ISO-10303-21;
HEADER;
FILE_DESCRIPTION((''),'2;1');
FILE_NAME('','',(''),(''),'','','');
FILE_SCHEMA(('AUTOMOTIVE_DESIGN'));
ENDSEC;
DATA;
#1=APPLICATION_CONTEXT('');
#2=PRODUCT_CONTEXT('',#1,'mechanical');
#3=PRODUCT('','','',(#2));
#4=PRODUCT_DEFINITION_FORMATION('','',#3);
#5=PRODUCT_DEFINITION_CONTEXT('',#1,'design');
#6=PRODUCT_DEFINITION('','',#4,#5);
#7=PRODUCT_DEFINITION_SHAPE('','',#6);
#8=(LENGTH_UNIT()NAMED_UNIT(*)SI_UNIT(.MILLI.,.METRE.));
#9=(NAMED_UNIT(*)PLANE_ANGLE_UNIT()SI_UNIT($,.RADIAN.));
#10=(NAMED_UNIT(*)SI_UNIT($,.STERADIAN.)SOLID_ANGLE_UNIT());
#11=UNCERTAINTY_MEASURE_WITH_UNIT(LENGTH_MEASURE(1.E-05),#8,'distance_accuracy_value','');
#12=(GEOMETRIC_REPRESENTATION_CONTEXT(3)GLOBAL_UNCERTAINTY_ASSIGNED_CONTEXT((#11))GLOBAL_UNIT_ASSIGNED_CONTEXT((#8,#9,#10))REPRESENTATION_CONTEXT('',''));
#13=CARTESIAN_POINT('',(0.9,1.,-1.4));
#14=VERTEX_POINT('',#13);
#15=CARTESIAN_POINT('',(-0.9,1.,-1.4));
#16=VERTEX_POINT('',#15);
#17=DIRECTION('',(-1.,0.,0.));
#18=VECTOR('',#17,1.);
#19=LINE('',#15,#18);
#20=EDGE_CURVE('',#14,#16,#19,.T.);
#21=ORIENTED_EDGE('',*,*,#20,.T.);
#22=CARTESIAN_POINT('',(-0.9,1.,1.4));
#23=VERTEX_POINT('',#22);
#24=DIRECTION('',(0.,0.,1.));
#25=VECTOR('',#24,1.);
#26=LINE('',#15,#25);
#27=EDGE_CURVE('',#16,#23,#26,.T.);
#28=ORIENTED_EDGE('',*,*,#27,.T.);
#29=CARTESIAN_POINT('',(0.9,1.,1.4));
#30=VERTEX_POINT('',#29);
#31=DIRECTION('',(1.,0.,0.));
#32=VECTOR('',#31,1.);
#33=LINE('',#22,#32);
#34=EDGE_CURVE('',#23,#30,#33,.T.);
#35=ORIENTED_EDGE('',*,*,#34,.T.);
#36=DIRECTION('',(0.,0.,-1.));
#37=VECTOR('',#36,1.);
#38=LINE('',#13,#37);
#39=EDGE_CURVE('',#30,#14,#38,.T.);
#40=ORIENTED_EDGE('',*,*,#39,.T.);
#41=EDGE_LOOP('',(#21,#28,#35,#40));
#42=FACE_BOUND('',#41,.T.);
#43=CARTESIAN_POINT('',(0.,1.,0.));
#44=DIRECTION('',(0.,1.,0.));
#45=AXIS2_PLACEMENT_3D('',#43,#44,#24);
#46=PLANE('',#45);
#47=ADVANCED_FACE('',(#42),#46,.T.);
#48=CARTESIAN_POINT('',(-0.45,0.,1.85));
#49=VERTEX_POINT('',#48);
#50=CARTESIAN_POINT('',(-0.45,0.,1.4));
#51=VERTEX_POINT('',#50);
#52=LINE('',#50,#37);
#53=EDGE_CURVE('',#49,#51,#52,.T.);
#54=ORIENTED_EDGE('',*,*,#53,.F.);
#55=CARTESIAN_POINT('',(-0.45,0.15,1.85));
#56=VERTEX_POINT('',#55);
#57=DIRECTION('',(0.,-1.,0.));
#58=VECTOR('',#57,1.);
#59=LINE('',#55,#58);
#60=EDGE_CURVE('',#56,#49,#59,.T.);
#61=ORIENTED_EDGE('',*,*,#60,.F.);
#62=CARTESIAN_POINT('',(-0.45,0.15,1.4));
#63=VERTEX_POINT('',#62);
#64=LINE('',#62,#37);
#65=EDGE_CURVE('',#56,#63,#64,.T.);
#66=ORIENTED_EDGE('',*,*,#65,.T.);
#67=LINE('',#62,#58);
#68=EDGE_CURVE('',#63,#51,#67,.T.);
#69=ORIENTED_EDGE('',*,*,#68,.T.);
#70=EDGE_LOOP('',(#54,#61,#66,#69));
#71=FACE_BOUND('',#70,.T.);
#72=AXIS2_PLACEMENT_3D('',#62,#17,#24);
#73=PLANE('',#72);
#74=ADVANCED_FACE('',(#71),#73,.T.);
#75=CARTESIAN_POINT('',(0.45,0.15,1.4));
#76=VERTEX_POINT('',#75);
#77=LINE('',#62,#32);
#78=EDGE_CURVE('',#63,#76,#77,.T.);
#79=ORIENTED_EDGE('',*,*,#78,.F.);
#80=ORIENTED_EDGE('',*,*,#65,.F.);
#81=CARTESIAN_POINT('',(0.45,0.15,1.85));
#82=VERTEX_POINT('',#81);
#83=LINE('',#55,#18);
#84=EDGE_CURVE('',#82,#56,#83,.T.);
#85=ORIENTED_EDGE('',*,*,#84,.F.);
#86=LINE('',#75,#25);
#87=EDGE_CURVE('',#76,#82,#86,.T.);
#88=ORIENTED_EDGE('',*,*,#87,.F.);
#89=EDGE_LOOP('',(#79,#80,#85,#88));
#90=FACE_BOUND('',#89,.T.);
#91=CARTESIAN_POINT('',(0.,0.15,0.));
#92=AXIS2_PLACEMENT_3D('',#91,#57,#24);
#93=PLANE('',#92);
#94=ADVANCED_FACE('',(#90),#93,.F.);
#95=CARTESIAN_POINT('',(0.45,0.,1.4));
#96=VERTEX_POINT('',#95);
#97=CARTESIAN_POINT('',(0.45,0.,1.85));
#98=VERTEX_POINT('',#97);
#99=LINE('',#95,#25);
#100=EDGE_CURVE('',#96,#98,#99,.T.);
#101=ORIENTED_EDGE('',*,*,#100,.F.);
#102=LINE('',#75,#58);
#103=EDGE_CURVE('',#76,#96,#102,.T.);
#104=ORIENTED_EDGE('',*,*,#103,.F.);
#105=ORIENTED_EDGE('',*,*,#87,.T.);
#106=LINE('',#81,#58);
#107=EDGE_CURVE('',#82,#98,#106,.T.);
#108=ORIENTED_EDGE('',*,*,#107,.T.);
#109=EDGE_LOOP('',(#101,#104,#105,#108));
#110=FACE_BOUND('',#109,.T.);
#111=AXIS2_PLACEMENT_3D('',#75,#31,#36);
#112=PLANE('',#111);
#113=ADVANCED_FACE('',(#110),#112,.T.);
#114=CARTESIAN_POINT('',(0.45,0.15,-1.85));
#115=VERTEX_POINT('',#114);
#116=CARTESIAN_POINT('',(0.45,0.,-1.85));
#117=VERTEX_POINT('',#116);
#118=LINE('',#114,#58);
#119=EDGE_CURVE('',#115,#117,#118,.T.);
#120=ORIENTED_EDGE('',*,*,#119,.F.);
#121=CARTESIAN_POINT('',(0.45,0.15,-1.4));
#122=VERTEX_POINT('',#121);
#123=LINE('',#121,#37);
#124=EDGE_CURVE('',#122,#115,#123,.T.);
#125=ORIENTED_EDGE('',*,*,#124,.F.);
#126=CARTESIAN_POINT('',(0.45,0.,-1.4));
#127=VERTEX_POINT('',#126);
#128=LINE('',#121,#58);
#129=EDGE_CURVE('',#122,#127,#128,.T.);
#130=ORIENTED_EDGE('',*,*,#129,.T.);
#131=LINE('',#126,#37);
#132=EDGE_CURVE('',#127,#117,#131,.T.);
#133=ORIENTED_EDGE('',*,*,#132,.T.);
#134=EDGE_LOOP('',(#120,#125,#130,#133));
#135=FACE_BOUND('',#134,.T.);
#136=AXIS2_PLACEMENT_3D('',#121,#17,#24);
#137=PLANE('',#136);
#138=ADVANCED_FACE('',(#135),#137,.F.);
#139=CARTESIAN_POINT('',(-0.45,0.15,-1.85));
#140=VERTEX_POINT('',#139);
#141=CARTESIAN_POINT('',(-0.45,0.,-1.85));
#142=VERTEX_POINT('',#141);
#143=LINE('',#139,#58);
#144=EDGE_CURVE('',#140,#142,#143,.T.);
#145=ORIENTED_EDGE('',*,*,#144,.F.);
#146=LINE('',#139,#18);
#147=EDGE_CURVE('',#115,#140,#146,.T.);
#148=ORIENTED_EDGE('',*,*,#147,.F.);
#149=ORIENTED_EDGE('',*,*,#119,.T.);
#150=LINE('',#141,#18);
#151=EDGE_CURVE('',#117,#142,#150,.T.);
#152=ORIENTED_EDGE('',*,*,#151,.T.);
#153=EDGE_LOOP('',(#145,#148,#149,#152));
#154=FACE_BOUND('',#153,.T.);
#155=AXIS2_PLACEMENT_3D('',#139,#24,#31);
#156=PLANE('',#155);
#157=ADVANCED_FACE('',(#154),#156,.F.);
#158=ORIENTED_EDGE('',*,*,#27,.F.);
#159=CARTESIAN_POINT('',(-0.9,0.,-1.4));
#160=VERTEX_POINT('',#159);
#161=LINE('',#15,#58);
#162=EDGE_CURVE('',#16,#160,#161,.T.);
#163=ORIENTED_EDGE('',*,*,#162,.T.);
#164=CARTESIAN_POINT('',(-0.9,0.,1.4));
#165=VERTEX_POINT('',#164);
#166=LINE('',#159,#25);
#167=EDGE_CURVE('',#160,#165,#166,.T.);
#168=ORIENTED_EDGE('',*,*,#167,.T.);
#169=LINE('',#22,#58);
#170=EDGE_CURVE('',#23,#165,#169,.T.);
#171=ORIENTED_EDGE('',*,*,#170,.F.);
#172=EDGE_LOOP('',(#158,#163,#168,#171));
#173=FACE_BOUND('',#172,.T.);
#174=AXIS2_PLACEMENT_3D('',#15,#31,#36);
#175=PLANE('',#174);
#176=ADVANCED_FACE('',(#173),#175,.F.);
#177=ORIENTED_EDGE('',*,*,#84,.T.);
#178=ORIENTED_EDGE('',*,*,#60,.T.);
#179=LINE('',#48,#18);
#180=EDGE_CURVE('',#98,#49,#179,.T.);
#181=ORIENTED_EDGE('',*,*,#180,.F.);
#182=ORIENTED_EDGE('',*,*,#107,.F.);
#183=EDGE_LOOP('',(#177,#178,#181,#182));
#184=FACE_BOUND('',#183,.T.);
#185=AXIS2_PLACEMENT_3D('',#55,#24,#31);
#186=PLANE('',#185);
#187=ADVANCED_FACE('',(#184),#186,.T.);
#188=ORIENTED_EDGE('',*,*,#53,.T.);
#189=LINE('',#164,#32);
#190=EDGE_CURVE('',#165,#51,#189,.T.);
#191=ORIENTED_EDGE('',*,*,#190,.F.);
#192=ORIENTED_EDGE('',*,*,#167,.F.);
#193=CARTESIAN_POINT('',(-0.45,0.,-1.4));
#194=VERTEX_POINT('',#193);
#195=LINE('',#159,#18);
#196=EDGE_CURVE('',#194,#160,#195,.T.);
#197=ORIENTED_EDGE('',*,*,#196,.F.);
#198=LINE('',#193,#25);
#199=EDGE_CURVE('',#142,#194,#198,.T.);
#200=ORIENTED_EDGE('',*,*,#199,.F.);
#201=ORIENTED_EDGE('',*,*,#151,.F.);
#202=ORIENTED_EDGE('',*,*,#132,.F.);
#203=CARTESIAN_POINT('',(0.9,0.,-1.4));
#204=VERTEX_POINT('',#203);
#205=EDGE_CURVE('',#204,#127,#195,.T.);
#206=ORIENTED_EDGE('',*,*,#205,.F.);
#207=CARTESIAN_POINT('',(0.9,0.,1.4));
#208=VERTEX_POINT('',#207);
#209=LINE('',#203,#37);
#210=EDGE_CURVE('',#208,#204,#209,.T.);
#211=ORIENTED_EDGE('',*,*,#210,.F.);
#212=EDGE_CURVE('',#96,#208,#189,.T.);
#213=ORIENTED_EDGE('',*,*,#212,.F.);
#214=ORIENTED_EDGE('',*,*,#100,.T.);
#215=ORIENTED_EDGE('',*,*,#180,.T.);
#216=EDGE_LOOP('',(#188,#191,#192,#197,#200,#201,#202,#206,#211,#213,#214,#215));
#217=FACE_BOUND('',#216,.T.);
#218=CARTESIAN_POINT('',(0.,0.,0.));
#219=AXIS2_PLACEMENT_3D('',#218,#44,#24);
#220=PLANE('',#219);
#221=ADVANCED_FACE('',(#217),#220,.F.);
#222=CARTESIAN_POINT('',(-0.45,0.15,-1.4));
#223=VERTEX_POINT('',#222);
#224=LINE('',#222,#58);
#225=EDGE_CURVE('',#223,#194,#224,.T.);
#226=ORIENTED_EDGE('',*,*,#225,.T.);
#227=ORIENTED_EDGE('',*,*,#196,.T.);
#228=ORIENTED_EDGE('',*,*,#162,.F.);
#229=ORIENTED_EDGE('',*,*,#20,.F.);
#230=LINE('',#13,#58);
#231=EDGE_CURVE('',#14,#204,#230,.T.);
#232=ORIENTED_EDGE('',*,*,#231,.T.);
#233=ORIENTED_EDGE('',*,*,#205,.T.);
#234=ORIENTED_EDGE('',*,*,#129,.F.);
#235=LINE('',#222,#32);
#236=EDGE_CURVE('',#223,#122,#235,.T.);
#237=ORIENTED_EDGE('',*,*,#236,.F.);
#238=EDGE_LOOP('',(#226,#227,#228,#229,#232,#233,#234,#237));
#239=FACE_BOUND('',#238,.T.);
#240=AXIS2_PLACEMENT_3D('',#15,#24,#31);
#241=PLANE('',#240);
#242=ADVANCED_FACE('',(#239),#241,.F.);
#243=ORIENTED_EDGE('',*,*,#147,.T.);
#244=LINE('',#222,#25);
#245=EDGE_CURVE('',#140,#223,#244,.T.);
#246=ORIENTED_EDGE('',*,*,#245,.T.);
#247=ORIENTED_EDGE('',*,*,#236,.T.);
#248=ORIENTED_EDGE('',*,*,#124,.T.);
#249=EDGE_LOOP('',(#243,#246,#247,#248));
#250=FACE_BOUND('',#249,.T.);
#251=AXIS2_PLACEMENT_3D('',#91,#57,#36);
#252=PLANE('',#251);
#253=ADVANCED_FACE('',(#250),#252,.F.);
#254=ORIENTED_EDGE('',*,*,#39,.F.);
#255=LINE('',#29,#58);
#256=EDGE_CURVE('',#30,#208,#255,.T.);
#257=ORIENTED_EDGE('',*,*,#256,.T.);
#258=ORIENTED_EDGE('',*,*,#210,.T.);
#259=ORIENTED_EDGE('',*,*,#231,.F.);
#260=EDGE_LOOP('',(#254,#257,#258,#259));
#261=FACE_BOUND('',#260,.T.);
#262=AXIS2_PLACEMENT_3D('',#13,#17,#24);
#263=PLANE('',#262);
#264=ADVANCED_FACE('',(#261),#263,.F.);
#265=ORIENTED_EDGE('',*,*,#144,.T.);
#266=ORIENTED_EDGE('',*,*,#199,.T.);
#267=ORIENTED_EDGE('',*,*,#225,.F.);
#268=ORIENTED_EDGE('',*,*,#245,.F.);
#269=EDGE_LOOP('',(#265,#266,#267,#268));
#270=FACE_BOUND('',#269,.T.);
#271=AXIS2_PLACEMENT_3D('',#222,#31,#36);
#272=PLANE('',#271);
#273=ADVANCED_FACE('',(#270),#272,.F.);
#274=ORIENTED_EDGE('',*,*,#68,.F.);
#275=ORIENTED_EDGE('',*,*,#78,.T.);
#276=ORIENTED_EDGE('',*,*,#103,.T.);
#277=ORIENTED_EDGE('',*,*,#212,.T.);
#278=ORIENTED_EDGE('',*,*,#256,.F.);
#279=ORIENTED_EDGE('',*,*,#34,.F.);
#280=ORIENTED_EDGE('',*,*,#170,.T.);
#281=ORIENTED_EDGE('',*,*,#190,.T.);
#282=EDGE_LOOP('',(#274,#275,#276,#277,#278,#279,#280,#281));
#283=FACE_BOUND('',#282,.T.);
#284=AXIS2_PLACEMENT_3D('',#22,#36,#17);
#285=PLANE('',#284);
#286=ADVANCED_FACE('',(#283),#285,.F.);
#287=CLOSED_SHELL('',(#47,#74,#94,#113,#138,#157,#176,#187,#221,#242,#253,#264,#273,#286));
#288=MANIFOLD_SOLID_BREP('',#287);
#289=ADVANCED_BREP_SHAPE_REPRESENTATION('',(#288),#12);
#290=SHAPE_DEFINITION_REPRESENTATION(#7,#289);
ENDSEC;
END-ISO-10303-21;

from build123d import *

# Parameters (mm, degrees)
BASES_W    = 1.8
BASES_H    = 2.8
BASE_DEPTH = 1
LEGS_W     = 0.9
LEGS_H     = 0.45
LEG_DEPTH  = 0.15


with BuildPart() as part:
    # BaseS → Base (new body)
    with BuildSketch(Plane(origin=(0, 0, 0), x_dir=(1, 0, 0), z_dir=(0, 1, 0))):
        Rectangle(BASES_W, BASES_H)
    extrude(amount=BASE_DEPTH)

    # LegS → Leg (add)
    with BuildSketch(Plane(origin=(0, 0, 0), x_dir=(1, 0, 0), z_dir=(0, 1, 0))):
        with Locations((0, 1.625)):
            Rectangle(LEGS_W, LEGS_H)
    leg = extrude(amount=LEG_DEPTH)

    # LVM: Leg across plane
    add(leg.mirror(Plane.XY))


solid = part.part
